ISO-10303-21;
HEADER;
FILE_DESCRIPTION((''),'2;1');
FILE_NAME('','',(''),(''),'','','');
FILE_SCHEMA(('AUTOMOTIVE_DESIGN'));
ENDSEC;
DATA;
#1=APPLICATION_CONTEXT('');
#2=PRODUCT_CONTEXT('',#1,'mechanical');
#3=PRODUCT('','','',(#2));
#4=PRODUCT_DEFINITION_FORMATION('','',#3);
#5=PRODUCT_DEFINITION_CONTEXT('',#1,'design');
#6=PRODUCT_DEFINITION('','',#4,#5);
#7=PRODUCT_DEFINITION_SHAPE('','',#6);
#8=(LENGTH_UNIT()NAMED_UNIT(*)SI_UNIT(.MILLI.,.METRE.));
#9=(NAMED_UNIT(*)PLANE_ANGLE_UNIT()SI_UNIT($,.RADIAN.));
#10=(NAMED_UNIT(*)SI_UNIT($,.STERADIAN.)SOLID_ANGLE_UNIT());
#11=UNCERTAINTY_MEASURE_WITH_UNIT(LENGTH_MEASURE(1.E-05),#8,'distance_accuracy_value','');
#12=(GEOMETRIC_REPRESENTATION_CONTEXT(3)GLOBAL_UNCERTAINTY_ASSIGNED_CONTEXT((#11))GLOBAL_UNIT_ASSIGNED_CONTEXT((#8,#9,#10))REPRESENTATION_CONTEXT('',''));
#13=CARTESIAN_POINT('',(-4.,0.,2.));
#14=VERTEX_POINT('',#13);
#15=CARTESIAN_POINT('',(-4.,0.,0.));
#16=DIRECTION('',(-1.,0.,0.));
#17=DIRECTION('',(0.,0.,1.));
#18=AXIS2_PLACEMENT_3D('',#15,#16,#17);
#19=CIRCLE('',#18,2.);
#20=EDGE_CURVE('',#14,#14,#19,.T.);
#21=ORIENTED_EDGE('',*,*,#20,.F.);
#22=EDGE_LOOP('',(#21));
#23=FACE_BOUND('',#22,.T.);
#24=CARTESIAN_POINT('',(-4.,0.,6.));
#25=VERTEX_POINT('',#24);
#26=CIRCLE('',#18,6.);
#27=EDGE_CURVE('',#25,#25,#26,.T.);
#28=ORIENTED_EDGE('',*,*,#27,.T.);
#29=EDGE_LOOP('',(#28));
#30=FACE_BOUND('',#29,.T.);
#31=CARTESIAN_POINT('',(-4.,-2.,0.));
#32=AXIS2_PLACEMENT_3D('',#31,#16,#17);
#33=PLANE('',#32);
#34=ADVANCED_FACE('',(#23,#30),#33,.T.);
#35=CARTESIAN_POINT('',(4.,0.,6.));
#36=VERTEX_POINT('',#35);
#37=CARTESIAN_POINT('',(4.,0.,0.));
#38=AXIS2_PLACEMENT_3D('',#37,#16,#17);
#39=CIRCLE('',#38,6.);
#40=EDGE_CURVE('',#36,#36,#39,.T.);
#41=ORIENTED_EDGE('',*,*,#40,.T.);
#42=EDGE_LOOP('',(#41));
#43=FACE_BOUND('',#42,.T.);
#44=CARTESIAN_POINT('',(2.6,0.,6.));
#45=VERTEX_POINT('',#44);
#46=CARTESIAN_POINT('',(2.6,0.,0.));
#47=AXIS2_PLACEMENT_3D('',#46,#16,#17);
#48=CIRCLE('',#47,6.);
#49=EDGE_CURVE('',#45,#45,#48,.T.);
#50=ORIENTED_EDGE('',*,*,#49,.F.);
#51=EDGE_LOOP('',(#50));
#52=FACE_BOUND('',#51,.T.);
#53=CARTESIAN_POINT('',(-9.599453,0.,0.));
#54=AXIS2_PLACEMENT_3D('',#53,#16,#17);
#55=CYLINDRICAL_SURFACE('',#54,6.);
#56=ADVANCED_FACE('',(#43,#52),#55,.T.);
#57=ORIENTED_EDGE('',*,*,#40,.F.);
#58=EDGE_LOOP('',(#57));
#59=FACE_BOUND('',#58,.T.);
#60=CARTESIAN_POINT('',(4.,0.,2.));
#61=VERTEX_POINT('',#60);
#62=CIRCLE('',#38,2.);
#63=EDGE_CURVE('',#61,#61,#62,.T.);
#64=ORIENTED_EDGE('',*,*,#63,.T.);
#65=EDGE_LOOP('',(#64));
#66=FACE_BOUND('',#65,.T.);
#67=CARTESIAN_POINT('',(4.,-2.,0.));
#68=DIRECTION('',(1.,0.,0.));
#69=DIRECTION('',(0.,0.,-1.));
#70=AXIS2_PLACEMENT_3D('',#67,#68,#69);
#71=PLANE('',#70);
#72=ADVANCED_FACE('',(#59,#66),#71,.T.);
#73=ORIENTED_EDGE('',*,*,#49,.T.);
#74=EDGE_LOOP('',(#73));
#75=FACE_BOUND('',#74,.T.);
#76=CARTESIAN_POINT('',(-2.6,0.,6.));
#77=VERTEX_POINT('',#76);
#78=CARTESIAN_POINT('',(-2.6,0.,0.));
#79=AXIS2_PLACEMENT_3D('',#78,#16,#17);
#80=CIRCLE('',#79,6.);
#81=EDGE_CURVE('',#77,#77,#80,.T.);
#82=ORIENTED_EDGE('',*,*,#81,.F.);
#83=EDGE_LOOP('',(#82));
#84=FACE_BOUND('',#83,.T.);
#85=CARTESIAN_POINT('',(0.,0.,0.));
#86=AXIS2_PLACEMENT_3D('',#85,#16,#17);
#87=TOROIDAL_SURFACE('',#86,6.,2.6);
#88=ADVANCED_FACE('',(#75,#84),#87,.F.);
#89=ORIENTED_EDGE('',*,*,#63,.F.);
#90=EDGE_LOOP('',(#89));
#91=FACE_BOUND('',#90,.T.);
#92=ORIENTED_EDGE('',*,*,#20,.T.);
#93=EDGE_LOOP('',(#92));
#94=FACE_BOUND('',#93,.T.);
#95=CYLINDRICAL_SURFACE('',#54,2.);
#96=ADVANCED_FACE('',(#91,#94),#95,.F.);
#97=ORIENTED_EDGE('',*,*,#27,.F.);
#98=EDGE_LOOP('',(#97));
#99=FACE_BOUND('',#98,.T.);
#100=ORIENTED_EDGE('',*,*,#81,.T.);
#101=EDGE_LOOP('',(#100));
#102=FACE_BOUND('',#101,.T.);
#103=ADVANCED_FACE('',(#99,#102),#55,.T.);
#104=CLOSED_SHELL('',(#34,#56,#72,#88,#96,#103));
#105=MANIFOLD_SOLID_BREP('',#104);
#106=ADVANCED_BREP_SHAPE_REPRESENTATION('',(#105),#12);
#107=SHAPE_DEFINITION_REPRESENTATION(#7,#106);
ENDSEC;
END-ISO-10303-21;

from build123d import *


with BuildPart() as part:
    # Esquisse2 → Révolution1 (revolve)
    with BuildSketch(Plane.XY):
        with BuildLine():
            Line((-4, -6), (-2.6, -6))
            ThreePointArc((-2.6, -6), (0, -3.4), (2.6, -6))
            Line((2.6, -6), (4, -6))
            Line((4, -6), (4, -2))
            Line((4, -2), (-4, -2))
            Line((-4, -2), (-4, -6))
        make_face()
    revolve(axis=Axis((-9.599452589, 0, 0), (1, 0, 0)))


solid = part.part
